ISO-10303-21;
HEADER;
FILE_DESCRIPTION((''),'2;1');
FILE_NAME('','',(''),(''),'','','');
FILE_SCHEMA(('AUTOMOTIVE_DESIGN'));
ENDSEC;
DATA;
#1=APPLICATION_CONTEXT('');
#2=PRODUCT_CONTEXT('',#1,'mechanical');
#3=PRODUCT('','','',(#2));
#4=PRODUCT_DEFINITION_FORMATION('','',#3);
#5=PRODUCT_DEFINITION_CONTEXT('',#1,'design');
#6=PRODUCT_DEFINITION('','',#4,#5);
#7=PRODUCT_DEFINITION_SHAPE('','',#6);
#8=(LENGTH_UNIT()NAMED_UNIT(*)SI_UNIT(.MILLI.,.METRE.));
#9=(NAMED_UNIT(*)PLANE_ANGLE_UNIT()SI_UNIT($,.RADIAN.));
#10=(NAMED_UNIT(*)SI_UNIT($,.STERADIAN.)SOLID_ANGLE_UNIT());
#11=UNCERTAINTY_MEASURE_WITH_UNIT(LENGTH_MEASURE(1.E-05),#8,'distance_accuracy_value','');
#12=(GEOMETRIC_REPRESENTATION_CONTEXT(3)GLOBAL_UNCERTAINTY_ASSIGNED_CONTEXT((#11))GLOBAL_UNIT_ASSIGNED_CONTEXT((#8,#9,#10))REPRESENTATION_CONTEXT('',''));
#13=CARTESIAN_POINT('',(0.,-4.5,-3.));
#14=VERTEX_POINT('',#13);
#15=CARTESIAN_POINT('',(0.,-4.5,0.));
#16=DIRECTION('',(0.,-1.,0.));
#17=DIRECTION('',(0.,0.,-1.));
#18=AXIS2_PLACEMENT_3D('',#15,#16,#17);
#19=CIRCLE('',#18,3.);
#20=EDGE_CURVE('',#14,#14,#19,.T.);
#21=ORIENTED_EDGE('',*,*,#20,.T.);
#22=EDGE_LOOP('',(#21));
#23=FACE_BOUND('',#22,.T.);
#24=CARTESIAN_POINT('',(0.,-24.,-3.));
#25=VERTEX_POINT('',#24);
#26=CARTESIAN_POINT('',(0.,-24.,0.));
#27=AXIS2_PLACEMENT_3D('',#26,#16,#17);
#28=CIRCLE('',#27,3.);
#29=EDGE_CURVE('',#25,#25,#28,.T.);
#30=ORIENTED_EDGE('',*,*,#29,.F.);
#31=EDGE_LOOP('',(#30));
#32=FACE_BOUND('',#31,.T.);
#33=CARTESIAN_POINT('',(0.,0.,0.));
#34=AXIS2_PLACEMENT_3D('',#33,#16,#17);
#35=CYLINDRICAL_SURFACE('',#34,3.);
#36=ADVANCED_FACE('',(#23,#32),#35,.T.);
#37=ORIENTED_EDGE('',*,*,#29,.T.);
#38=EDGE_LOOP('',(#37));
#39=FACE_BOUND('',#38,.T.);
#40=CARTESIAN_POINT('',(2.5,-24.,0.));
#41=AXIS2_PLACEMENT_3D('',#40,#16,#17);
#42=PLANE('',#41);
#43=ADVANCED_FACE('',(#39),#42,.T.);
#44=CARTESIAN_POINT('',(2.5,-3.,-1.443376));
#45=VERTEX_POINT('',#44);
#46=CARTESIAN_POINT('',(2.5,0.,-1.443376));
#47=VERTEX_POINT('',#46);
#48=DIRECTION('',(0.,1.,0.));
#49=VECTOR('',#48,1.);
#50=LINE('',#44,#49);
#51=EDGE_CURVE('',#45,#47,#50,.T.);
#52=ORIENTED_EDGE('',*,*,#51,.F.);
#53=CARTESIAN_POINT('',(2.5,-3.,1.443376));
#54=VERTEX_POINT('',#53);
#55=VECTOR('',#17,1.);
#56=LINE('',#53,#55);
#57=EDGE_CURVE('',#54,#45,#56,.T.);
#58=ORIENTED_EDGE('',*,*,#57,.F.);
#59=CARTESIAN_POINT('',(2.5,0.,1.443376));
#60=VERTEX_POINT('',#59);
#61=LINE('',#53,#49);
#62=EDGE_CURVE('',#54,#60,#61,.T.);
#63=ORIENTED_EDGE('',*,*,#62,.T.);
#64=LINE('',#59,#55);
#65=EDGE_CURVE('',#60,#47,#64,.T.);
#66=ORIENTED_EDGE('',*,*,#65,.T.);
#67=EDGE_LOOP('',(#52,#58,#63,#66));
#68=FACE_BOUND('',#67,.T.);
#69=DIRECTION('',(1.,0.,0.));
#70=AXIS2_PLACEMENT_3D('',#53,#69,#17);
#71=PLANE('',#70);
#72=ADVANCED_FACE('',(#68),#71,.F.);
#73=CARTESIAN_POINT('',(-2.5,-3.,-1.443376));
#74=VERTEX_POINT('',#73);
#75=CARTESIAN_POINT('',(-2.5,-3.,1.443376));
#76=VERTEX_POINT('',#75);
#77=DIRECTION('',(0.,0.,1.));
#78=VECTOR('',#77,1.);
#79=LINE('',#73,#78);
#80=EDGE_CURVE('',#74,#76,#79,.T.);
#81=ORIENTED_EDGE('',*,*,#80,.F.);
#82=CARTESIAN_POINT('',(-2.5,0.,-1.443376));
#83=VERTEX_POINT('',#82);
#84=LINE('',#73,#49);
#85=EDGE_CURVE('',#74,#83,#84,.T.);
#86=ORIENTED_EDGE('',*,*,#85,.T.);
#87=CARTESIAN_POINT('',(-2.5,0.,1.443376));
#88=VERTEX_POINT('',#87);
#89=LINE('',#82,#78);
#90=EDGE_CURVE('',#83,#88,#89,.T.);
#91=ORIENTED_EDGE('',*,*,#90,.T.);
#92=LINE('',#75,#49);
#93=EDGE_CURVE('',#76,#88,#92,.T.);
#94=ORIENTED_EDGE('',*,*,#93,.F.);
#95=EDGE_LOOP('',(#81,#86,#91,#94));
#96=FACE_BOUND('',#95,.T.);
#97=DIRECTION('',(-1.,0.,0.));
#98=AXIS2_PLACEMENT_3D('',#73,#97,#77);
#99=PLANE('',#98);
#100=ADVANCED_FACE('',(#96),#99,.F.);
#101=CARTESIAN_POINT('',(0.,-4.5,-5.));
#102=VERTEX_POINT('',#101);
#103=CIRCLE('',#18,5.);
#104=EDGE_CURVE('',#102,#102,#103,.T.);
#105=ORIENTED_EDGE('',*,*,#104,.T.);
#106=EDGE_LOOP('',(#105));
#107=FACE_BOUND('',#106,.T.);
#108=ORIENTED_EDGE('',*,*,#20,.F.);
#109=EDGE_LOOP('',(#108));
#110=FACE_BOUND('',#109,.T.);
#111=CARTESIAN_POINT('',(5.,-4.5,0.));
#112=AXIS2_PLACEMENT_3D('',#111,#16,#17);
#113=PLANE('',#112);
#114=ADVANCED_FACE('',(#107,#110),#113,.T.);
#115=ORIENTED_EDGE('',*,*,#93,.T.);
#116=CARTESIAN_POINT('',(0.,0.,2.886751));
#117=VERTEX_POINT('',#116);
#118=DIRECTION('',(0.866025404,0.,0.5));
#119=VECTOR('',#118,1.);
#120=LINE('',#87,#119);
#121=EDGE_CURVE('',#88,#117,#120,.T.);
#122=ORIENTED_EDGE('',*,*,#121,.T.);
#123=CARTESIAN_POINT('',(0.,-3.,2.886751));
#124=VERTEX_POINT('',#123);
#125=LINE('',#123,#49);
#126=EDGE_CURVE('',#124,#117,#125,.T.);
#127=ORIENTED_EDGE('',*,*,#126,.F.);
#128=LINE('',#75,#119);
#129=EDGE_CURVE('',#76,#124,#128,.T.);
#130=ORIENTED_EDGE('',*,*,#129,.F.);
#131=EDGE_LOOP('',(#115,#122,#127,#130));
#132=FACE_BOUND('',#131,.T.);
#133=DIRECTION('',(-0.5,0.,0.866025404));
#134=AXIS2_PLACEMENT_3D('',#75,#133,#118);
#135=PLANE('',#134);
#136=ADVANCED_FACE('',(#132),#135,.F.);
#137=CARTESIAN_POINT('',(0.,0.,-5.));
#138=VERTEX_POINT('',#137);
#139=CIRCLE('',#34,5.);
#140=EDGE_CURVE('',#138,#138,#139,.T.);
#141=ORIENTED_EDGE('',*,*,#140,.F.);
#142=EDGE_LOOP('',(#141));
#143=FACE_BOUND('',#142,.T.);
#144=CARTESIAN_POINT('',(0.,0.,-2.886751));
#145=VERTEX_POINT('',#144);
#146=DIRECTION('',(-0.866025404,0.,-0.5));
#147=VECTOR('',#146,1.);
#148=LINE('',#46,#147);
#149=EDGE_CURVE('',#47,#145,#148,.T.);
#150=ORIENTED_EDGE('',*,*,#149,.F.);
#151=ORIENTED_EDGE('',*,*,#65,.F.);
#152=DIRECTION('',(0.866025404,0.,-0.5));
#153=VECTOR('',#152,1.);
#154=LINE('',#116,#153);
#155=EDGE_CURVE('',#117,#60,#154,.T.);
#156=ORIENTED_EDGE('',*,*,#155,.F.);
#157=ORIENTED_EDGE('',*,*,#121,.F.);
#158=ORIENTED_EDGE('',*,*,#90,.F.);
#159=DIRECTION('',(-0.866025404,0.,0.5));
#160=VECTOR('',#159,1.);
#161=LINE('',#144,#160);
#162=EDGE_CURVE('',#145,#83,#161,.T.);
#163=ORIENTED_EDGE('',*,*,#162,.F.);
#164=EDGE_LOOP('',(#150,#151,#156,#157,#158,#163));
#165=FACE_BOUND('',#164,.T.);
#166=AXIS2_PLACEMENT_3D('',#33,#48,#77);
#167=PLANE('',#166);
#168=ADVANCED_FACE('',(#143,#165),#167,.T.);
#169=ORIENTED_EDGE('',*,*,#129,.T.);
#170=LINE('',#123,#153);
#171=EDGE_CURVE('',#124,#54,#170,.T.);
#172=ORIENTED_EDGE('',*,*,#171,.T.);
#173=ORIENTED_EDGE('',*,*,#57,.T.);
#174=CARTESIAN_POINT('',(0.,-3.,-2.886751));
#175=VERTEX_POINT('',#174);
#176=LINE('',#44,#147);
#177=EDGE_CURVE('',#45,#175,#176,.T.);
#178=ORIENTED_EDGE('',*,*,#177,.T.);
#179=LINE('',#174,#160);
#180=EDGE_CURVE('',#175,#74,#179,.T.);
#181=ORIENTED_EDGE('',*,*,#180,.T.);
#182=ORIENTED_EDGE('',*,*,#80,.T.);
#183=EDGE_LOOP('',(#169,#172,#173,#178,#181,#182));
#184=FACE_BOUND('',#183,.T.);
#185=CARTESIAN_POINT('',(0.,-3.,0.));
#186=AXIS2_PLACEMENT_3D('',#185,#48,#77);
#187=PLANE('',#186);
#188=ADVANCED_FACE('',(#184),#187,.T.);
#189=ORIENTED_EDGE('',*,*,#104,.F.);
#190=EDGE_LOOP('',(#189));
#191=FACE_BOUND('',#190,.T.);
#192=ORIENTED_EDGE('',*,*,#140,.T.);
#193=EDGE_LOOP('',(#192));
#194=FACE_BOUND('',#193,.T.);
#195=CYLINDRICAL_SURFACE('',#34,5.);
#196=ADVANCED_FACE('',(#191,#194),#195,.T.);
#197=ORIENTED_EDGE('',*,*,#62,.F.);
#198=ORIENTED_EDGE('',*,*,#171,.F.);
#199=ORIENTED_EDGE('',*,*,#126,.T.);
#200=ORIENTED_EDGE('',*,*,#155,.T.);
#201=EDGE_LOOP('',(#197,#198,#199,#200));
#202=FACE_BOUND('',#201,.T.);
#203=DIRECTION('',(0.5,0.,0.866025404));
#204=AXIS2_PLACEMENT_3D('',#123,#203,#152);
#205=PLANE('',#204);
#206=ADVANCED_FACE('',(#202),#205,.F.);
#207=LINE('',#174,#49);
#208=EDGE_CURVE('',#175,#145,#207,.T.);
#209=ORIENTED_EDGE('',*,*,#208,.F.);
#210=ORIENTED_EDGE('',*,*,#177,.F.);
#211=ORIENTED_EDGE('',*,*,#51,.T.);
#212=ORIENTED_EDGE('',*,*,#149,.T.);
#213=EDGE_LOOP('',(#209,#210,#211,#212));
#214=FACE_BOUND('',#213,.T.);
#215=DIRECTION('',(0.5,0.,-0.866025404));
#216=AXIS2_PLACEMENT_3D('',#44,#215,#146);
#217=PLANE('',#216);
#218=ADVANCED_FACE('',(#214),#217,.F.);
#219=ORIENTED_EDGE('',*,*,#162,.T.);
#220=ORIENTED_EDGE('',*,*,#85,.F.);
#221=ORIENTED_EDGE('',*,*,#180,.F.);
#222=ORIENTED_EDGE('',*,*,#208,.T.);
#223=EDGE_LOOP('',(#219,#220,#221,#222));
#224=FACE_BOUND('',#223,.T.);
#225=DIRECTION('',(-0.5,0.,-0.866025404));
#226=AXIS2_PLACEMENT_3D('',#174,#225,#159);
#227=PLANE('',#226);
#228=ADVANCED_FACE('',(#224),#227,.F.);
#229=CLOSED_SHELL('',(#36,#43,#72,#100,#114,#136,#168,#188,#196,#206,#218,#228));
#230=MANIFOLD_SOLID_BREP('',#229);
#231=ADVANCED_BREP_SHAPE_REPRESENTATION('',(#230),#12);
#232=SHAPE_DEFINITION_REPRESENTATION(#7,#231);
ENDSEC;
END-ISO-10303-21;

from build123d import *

# Parameters (mm, degrees)
WYTNIJ_WYCI_GNI_CIE1_DEPTH = 3


with BuildPart() as part:
    # Szkic1 → Obrót1 (revolve)
    with BuildSketch(Plane.XY):
        Polygon((0, 0), (5, 0), (5, -4.5), (3, -4.5), (3, -14.5), (3, -24), (2.5, -24), (0, -24), align=None)
    revolve(axis=Axis((0, 0, 0), (0, 1, 0)))

    # Szkic2 → Wytnij-wyciągnięcie1 (cut)
    with BuildSketch(Plane(origin=(0, 0, 0), x_dir=(1, 0, 0), z_dir=(0, 1, 0))):
        Polygon((0, 2.886751346), (-2.5, 1.443375673), (-2.5, -1.443375673), (0, -2.886751346), (2.5, -1.443375673), (2.5, 1.443375673), align=None)
    extrude(amount=-WYTNIJ_WYCI_GNI_CIE1_DEPTH, mode=Mode.SUBTRACT)


solid = part.part
